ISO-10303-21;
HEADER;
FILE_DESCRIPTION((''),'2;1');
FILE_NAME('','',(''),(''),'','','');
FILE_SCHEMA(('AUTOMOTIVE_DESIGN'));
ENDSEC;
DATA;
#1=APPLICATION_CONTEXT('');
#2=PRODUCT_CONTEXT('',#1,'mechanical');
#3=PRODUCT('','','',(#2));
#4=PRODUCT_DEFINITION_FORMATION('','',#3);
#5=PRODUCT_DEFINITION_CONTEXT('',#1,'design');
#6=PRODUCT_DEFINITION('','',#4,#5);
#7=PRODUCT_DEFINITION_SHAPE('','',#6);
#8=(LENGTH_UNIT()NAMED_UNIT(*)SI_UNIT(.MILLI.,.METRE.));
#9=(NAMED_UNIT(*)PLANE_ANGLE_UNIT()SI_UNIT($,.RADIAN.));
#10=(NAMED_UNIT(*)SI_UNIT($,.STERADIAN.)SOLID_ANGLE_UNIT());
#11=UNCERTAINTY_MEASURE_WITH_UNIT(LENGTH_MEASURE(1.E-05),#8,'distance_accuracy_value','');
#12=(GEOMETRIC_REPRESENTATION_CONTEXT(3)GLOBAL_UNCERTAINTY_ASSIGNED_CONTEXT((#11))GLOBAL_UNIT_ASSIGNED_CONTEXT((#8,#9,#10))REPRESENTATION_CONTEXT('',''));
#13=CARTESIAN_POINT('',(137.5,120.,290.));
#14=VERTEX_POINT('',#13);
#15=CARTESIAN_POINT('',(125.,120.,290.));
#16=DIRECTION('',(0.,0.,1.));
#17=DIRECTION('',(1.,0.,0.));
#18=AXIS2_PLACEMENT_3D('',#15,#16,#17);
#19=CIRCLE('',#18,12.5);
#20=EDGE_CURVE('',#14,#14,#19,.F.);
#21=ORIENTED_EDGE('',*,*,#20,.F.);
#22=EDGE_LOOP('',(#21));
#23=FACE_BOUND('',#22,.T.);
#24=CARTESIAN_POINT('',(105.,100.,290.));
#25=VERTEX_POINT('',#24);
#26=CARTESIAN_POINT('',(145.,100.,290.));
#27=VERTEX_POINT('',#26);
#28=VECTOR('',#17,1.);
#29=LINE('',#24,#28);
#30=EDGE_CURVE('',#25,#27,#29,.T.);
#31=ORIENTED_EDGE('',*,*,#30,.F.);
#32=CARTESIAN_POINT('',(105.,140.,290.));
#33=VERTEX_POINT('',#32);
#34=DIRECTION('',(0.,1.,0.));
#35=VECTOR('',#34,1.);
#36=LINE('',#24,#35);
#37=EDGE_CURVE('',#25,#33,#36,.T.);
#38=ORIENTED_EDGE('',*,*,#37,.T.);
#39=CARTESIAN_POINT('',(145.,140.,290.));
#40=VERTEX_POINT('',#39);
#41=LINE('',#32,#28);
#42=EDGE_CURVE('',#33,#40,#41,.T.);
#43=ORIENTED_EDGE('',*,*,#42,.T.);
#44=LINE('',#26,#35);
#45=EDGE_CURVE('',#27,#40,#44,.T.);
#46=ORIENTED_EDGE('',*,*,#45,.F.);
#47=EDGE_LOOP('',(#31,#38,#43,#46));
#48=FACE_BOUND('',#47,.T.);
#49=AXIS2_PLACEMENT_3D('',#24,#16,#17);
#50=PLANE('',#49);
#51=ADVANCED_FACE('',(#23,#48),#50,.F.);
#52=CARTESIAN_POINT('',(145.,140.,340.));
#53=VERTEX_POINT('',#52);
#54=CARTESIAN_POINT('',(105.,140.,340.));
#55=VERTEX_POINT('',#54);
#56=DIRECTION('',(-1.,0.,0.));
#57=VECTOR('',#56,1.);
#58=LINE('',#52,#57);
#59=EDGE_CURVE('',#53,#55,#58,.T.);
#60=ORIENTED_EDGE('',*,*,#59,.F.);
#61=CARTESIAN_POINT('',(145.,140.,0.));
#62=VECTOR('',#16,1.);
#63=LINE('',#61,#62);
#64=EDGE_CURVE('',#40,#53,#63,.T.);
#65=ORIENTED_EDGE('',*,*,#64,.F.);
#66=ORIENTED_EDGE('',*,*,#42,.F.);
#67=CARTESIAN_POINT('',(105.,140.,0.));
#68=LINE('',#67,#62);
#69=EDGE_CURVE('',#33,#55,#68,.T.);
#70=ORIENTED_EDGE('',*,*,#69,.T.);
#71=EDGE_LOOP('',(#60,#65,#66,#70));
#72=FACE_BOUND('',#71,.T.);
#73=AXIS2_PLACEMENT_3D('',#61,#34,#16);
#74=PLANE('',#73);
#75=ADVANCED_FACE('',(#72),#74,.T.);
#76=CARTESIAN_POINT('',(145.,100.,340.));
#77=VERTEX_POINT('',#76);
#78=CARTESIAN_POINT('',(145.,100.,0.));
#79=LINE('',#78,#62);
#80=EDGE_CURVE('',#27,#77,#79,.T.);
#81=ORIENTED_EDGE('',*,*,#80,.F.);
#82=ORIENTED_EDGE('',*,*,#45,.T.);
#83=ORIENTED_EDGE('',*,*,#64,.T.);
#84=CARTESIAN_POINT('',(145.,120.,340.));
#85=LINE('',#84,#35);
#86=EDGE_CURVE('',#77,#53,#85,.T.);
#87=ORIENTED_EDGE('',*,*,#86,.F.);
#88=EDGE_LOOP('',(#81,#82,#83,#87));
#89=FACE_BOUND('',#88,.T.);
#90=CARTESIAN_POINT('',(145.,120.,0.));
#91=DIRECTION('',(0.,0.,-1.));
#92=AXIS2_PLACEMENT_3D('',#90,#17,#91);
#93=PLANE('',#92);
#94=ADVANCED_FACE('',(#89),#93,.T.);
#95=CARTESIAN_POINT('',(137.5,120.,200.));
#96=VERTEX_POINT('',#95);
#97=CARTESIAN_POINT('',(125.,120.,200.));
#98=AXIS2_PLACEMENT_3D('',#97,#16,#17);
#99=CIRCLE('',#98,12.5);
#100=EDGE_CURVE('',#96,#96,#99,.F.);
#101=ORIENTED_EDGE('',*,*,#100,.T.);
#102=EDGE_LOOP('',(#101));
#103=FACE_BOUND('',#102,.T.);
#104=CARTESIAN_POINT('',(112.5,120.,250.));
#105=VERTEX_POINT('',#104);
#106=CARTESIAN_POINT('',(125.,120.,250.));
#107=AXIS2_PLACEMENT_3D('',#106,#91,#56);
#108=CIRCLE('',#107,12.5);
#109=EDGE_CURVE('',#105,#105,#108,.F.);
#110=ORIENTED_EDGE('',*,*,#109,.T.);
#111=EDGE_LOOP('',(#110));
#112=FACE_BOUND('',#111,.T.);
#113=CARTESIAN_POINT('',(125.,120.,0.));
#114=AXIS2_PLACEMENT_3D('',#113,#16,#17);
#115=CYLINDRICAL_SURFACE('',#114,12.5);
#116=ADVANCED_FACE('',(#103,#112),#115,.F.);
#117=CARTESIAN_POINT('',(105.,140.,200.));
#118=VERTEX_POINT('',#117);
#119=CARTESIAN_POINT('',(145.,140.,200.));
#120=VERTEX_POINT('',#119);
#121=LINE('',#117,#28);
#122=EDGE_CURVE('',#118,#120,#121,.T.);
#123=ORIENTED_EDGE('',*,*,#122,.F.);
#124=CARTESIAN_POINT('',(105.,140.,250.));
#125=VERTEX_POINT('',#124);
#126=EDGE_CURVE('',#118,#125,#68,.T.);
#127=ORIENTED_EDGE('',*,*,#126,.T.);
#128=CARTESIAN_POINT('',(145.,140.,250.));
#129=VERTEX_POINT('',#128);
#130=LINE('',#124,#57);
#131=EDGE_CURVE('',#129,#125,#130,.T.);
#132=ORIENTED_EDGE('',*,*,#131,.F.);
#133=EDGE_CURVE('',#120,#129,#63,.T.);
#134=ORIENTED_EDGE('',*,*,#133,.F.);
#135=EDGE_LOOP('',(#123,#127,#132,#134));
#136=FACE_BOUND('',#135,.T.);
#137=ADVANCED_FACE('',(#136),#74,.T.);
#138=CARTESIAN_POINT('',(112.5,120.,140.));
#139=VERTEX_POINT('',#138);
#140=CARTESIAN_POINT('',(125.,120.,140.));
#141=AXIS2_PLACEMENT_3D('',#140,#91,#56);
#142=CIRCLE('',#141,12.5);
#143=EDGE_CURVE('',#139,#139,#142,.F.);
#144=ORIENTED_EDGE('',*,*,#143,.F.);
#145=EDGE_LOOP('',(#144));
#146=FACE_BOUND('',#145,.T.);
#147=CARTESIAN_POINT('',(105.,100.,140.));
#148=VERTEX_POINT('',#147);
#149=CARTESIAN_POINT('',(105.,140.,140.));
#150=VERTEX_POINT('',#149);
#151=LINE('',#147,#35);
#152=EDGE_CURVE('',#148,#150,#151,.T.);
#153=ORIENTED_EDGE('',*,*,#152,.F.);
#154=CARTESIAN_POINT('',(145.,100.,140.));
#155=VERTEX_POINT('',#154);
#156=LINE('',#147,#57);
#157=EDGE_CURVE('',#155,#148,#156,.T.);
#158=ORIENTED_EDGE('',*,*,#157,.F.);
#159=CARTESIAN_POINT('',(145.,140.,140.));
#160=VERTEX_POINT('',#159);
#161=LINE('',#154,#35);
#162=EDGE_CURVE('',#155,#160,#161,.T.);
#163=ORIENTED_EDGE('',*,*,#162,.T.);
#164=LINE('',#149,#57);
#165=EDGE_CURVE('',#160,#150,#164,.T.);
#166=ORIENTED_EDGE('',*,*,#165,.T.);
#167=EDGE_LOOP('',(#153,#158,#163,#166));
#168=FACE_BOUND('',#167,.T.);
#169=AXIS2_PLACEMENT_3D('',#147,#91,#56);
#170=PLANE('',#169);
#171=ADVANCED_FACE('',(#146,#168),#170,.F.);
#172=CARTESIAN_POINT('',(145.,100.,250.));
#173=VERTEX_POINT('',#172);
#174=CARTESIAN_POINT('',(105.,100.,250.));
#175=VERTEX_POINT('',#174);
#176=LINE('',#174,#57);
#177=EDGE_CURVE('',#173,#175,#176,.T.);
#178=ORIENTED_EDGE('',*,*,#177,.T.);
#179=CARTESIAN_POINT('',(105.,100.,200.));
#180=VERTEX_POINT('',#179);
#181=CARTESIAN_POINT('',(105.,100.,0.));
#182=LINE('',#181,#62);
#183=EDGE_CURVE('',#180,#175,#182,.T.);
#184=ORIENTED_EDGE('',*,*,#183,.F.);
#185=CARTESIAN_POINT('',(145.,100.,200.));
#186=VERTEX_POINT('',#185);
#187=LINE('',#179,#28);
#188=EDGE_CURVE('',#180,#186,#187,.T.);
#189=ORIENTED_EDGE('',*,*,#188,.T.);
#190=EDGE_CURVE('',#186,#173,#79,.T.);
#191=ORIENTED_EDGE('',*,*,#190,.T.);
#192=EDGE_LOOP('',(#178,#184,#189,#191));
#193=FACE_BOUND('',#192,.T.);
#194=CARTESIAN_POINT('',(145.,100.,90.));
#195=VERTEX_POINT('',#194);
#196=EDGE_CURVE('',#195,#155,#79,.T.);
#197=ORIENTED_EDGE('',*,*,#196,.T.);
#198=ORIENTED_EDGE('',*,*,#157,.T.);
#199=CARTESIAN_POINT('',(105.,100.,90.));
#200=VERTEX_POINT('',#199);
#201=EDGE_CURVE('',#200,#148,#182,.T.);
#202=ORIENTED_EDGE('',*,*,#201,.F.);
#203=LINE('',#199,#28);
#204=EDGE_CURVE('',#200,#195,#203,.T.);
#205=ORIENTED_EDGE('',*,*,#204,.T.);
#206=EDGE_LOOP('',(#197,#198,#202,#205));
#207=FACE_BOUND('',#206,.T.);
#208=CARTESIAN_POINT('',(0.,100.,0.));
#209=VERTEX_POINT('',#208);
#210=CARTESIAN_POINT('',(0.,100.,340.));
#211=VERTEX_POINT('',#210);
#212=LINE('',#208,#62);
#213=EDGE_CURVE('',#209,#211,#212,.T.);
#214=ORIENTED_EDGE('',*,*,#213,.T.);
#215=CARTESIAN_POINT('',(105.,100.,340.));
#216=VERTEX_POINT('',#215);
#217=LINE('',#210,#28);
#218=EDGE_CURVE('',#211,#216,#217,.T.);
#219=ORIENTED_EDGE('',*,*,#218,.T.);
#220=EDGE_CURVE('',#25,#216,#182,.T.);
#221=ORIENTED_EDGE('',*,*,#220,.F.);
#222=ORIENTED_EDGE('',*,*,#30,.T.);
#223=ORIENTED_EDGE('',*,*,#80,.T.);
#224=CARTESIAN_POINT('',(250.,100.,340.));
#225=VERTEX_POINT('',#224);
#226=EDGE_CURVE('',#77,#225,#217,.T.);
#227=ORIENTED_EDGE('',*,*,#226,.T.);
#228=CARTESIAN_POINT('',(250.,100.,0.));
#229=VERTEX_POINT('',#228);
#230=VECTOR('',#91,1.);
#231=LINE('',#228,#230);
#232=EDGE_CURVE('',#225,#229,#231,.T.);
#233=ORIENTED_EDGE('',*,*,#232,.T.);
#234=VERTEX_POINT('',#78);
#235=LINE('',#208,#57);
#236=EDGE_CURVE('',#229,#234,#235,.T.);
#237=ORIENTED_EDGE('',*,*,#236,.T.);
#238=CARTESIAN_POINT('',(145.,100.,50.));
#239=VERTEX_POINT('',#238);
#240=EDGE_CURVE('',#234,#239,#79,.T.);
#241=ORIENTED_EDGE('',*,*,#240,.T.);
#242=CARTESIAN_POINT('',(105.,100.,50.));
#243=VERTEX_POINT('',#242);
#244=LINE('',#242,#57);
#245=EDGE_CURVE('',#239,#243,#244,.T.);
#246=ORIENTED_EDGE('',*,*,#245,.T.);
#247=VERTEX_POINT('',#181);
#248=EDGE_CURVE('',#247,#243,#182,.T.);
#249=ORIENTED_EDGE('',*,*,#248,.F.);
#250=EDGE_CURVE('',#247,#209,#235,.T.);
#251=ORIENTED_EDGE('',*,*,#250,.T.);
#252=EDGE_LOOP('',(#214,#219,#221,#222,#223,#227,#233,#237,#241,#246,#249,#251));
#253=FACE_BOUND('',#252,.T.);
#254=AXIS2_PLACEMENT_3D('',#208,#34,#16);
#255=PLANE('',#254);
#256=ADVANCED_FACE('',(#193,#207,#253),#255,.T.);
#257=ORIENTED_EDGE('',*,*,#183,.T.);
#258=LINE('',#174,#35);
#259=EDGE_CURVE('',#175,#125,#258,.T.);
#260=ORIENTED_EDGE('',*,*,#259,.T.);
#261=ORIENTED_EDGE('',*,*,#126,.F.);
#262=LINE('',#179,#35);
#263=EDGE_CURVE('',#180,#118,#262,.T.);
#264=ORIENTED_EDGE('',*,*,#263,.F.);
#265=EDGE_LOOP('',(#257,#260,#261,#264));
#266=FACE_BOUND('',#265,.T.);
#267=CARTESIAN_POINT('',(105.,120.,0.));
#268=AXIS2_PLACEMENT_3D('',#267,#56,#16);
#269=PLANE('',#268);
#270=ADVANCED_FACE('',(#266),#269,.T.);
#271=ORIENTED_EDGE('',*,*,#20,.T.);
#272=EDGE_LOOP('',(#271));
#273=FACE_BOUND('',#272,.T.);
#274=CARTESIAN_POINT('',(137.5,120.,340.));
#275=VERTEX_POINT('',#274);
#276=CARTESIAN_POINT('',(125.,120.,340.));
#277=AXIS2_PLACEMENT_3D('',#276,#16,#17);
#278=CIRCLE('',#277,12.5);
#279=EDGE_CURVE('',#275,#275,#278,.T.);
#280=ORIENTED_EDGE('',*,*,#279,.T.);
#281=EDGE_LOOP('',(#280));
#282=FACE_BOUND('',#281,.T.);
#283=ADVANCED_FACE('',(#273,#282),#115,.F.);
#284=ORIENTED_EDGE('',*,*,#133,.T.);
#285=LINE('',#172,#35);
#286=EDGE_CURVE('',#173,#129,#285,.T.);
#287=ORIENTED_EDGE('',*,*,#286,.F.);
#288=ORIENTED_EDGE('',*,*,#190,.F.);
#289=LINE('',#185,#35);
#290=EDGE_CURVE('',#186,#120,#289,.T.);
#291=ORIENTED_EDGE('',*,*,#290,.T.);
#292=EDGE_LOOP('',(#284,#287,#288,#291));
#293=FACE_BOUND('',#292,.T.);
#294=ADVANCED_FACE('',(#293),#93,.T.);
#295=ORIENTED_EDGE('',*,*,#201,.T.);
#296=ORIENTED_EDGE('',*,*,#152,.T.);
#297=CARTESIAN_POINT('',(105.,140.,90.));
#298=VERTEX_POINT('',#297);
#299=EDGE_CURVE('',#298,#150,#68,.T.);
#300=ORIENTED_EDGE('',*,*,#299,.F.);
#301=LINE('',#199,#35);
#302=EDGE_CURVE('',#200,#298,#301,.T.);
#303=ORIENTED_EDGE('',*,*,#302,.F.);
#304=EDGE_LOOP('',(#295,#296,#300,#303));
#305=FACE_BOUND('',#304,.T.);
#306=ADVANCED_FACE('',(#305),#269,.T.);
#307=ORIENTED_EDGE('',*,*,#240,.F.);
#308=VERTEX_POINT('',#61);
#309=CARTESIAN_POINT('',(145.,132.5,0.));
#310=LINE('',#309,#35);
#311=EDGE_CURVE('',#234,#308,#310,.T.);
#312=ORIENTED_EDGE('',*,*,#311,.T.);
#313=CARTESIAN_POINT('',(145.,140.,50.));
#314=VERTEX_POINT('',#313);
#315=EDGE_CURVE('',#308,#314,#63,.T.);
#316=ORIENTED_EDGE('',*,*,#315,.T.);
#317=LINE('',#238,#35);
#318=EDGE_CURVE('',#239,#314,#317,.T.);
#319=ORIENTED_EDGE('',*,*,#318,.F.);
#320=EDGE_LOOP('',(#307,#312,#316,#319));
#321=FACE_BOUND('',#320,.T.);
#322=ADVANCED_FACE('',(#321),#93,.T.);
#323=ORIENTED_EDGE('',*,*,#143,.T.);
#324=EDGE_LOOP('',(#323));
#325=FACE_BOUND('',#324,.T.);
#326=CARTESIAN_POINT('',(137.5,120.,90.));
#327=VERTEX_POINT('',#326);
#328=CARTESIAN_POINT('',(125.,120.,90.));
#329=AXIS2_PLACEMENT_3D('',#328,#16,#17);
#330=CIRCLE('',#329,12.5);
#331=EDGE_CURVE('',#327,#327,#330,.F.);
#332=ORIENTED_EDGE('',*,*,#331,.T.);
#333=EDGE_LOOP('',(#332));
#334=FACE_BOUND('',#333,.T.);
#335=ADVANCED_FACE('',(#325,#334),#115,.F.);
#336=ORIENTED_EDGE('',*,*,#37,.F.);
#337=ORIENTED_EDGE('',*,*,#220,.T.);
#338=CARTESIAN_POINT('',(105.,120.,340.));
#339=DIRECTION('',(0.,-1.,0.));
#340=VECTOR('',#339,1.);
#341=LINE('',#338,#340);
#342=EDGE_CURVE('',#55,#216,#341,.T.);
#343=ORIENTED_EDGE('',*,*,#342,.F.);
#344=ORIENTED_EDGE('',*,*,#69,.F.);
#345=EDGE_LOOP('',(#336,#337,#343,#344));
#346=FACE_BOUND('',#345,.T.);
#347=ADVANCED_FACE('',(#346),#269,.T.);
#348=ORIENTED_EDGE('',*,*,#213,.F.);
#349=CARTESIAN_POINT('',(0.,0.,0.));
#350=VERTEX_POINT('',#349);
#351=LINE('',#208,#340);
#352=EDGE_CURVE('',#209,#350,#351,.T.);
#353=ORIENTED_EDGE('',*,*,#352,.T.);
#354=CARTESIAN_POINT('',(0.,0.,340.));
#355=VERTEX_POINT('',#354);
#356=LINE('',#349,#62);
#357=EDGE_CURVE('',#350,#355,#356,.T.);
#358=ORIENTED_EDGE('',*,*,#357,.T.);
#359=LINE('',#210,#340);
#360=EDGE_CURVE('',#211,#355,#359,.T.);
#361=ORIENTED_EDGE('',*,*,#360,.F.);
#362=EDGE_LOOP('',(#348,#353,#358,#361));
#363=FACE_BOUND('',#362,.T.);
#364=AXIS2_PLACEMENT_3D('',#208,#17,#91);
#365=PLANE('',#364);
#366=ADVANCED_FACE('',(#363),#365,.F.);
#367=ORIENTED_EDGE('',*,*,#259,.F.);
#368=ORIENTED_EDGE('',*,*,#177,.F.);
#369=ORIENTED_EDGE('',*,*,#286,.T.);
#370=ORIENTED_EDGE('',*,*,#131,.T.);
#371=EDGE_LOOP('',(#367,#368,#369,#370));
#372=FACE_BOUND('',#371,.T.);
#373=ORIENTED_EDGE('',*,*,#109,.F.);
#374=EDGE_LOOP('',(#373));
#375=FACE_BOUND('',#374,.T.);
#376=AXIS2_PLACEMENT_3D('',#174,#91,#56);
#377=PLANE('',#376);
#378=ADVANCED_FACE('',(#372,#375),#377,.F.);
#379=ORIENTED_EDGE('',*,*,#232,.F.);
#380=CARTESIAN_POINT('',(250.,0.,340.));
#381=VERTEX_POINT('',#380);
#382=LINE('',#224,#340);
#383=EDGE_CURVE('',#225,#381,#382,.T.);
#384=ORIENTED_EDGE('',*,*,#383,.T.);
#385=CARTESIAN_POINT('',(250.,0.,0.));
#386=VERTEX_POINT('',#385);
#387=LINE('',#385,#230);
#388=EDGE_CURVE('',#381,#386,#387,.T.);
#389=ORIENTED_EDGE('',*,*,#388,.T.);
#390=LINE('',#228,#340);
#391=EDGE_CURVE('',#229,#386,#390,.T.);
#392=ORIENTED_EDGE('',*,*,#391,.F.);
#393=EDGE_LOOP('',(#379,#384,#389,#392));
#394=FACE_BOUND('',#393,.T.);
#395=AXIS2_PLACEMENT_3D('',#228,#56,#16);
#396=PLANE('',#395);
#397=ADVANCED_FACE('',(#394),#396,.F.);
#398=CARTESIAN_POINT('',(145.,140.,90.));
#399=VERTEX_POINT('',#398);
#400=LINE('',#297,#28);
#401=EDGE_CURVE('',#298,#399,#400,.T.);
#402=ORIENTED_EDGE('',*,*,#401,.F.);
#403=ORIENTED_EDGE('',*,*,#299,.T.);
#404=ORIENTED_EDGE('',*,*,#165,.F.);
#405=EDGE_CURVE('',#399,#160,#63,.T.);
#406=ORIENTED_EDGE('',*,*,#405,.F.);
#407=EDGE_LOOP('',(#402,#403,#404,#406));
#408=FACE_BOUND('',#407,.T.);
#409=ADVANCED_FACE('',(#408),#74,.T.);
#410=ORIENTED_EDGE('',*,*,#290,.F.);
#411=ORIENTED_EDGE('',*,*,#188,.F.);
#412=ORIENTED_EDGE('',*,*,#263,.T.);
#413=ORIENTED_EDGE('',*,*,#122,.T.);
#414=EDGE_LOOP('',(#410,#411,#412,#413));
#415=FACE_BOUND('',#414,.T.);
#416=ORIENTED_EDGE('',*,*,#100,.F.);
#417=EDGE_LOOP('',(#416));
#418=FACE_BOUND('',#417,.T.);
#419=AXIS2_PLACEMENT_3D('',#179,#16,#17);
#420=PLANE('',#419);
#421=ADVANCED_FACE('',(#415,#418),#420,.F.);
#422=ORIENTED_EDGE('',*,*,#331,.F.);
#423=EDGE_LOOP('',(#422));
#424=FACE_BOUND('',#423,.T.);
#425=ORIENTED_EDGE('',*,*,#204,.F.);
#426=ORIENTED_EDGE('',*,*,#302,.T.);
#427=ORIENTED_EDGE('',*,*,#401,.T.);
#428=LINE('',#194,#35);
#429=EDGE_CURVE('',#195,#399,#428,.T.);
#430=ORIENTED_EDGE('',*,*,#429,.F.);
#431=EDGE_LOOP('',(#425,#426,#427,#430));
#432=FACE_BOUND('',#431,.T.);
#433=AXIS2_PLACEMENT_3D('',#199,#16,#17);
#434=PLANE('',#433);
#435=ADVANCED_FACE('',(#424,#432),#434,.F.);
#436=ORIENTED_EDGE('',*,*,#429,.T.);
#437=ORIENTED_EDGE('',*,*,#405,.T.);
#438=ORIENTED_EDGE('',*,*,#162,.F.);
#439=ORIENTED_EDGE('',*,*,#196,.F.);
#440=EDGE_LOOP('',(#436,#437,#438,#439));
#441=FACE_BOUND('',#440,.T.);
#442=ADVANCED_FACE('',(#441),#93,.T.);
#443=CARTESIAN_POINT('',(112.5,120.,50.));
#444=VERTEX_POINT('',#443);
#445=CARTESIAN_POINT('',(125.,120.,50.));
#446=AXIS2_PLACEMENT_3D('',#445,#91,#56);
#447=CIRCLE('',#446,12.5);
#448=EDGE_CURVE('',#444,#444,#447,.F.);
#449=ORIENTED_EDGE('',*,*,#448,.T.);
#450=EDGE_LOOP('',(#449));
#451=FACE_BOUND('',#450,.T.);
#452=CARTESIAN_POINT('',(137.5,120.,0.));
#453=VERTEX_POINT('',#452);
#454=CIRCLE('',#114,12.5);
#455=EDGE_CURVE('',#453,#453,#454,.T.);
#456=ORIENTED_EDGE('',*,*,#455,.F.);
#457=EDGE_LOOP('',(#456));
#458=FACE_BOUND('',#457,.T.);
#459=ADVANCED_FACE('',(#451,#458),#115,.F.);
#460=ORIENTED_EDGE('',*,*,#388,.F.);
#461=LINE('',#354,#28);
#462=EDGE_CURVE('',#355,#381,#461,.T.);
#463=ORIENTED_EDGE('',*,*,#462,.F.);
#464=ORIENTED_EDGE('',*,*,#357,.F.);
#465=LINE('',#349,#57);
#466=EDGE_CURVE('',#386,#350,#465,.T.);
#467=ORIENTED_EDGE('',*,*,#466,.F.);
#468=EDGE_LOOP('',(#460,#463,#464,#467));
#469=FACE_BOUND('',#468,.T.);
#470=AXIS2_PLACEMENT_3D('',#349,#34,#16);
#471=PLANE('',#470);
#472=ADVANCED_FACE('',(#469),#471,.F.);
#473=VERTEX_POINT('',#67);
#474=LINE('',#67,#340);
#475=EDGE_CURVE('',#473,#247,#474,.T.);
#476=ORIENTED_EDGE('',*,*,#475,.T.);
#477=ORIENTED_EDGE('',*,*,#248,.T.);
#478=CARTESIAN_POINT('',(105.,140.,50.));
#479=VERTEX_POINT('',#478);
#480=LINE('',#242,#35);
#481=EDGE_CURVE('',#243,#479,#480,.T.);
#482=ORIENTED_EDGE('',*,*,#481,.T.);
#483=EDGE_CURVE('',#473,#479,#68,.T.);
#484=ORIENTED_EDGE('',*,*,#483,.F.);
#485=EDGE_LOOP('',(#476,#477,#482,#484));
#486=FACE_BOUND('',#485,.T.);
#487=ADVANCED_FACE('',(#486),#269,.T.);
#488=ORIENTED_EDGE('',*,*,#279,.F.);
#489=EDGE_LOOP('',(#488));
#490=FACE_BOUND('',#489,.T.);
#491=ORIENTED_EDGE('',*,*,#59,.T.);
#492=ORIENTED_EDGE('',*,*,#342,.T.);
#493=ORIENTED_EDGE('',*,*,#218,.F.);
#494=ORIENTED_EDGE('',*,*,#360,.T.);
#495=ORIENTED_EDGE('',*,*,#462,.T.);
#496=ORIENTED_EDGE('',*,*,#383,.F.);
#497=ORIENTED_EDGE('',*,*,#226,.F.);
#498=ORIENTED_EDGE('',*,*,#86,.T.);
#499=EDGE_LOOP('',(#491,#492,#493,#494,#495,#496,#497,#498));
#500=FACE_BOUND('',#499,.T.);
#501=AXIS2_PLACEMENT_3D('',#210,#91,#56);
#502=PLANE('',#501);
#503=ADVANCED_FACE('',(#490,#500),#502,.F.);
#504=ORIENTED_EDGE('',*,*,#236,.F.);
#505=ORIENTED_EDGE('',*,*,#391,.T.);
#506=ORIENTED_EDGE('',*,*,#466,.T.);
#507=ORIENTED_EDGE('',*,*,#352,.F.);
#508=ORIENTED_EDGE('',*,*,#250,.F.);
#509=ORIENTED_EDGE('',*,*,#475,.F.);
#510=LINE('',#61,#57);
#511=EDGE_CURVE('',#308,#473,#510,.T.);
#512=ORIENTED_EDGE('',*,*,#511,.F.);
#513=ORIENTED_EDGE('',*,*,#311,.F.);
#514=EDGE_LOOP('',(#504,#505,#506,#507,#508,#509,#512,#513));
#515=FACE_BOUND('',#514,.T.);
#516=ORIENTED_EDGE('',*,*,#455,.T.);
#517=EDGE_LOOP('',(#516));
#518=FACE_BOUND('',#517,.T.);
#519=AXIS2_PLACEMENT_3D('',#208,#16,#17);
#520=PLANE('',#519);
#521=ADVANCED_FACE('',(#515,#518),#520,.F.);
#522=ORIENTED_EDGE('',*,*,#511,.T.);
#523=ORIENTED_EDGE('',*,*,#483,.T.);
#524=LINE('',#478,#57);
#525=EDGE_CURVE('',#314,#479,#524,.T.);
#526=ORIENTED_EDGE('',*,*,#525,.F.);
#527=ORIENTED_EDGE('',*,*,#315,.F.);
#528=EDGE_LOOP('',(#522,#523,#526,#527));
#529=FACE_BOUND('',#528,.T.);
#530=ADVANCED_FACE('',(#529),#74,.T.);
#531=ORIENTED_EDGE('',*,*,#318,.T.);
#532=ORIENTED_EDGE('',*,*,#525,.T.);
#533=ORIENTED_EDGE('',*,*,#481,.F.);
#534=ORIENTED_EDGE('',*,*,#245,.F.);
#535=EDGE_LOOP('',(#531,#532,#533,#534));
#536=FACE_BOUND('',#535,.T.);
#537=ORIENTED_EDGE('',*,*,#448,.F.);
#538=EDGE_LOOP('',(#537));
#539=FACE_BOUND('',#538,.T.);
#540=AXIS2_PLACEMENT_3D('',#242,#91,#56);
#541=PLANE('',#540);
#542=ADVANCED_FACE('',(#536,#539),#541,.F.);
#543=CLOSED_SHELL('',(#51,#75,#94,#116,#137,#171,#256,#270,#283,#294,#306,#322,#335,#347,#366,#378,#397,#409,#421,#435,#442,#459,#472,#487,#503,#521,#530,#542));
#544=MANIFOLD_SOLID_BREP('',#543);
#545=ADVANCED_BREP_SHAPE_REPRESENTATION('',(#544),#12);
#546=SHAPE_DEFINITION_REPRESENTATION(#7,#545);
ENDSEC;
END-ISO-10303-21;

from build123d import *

# Parameters (mm, degrees)
SKETCH1_W           = 250
SKETCH1_H           = 340
BOSS_EXTRUDE1_DEPTH = 100
SKETCH3_R           = 12.5
BOSS_EXTRUDE2_DEPTH = 340
SKETCH4_W           = 40
SKETCH4_H           = 40
SKETCH4_H_2         = 60
CUT_EXTRUDE1_DEPTH  = 40


with BuildPart() as part:
    # Sketch1 → Boss-Extrude1 (new body)
    with BuildSketch(Plane(origin=(0, 0, 0), x_dir=(1, 0, 0), z_dir=(0, 1, 0))):
        with Locations((125, -170)):
            Rectangle(SKETCH1_W, SKETCH1_H)
    extrude(amount=BOSS_EXTRUDE1_DEPTH)

    # Sketch3 → Boss-Extrude2 (add, through all)
    with BuildSketch(Plane.XY.offset(340)):
        Polygon((105, 100), (145, 100), (145, 120), (145, 132.5), (145, 140), (105, 140), (105, 132.5), (105, 120), align=None)
        with Locations((125, 120)):
            Circle(SKETCH3_R, mode=Mode.SUBTRACT)
    extrude(amount=-BOSS_EXTRUDE2_DEPTH)

    # Sketch4 → Cut-Extrude1 (cut)
    with BuildSketch(Plane(origin=(0, 140, 0), x_dir=(1, 0, 0), z_dir=(0, 1, 0))):
        with Locations((125, -270)):
            Rectangle(SKETCH4_W, SKETCH4_H)
        with Locations((125, -70)):
            Rectangle(SKETCH4_W, SKETCH4_H)
        with Locations((125, -170)):
            Rectangle(SKETCH4_W, SKETCH4_H_2)
    extrude(amount=-CUT_EXTRUDE1_DEPTH, mode=Mode.SUBTRACT)


solid = part.part
